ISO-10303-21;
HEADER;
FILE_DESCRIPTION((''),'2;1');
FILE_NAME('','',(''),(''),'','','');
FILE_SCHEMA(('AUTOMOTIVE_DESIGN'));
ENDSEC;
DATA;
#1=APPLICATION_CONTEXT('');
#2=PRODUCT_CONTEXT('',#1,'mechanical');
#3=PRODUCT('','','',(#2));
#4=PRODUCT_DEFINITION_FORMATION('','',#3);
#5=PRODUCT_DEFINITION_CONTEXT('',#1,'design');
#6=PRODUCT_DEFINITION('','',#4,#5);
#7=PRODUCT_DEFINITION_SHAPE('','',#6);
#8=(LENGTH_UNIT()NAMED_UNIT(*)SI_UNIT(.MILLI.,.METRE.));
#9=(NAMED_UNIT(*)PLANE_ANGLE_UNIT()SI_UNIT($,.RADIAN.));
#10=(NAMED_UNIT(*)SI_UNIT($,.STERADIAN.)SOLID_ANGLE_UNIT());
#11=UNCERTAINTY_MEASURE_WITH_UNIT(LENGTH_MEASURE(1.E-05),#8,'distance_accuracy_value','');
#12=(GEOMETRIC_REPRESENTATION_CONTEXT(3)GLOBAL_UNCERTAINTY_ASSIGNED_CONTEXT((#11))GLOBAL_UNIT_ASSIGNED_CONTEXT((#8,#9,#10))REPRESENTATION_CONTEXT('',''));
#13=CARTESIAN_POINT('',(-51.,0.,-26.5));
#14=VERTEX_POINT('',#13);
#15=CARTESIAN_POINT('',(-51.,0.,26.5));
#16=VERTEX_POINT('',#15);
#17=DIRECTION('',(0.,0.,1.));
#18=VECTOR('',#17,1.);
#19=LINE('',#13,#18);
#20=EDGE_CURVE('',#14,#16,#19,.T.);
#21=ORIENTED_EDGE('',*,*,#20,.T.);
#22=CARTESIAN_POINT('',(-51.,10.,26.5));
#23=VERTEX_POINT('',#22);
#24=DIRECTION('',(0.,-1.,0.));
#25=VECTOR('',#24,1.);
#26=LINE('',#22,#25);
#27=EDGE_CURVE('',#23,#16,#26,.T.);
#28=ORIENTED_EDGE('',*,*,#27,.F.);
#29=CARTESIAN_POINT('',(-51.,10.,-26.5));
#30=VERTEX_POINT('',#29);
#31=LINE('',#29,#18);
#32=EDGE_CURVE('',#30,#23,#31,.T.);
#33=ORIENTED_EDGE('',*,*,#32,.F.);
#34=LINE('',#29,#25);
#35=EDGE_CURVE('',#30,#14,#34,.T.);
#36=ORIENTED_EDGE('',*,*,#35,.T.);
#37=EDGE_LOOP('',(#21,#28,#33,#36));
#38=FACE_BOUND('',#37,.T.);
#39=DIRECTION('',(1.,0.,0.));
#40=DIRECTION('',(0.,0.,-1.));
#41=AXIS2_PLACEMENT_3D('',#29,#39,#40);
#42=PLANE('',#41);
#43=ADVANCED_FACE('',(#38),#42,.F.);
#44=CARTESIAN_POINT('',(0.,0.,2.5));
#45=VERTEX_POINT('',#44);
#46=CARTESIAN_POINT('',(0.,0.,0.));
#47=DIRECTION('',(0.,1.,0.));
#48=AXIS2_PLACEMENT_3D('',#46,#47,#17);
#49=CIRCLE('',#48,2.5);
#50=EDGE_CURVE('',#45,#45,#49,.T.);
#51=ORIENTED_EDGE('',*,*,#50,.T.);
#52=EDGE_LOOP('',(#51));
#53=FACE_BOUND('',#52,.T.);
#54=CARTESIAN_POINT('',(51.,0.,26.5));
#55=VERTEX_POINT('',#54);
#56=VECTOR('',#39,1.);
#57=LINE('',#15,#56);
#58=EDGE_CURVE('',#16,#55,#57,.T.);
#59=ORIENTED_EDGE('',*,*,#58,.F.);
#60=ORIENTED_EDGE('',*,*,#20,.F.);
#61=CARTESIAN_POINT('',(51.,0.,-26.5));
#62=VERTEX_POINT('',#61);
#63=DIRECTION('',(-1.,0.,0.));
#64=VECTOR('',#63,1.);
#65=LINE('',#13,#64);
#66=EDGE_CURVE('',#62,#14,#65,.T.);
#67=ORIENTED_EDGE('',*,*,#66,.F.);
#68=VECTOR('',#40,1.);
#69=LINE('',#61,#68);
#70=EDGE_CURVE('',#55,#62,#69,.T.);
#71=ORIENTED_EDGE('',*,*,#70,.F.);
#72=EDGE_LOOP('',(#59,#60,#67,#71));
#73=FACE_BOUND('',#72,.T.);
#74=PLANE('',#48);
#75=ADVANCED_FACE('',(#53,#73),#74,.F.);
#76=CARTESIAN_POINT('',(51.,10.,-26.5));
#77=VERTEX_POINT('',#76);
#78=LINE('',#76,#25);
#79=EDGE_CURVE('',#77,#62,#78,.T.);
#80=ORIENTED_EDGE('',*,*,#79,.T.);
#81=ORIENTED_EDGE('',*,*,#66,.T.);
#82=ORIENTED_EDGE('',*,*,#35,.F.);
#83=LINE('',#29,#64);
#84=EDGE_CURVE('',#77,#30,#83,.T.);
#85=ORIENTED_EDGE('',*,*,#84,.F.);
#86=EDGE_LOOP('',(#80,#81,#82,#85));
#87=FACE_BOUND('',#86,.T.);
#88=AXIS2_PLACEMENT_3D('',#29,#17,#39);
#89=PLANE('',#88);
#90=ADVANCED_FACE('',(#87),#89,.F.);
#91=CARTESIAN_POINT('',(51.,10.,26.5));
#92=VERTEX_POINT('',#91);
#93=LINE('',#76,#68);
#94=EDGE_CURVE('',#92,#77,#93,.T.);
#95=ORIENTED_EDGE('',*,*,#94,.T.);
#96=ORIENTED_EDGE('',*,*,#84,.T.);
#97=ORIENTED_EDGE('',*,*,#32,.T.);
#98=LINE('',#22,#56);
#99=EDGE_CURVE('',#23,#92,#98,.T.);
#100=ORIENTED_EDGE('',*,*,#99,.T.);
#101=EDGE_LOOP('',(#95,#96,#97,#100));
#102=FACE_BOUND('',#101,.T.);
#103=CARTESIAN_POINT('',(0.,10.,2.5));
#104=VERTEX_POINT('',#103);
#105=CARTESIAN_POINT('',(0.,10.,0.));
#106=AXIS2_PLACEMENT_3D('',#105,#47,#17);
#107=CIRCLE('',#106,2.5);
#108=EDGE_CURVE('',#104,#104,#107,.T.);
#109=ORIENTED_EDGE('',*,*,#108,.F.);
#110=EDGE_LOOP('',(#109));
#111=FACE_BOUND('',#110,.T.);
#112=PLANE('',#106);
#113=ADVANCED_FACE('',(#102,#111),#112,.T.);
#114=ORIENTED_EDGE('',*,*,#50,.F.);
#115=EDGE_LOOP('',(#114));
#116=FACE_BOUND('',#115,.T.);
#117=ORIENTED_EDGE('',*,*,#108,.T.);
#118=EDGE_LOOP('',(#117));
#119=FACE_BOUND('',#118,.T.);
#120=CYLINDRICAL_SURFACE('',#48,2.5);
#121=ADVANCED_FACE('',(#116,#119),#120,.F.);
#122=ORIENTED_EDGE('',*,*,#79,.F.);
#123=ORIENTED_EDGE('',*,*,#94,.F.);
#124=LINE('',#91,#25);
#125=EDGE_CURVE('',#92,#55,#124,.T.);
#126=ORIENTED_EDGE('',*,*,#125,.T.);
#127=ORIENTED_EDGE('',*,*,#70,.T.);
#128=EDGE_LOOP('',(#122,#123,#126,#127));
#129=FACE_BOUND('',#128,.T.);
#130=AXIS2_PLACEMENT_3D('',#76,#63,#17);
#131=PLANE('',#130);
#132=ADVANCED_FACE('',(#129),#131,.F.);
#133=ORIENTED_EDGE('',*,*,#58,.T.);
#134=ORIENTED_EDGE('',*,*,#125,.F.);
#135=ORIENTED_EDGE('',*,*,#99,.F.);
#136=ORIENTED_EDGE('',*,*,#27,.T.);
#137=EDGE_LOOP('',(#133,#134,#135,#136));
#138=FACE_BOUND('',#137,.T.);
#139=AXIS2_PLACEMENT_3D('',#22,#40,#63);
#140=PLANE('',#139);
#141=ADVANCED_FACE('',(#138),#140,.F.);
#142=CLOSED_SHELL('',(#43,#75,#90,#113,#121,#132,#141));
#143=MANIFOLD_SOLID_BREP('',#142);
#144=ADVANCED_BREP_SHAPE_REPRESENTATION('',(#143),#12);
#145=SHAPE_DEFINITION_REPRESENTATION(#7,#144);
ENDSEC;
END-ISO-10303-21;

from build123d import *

# Parameters (mm, degrees)
SKETCH1_W           = 102
SKETCH1_H           = 53
BOSS_EXTRUDE1_DEPTH = 10
SKETCH2_R           = 2.5
CUT_EXTRUDE1_DEPTH  = 10


with BuildPart() as part:
    # Sketch1 → Boss-Extrude1 (new body)
    with BuildSketch(Plane(origin=(0, 0, 0), x_dir=(1, 0, 0), z_dir=(0, 1, 0))):
        Rectangle(SKETCH1_W, SKETCH1_H)
    extrude(amount=BOSS_EXTRUDE1_DEPTH)

    # Sketch2 → Cut-Extrude1 (cut)
    with BuildSketch(Plane(origin=(0, 10, 0), x_dir=(1, 0, 0), z_dir=(0, 1, 0))):
        with Locations(Location((0, 0, 0), (0, 0, 270))):
            Circle(SKETCH2_R)
    extrude(amount=-CUT_EXTRUDE1_DEPTH, mode=Mode.SUBTRACT)


solid = part.part
